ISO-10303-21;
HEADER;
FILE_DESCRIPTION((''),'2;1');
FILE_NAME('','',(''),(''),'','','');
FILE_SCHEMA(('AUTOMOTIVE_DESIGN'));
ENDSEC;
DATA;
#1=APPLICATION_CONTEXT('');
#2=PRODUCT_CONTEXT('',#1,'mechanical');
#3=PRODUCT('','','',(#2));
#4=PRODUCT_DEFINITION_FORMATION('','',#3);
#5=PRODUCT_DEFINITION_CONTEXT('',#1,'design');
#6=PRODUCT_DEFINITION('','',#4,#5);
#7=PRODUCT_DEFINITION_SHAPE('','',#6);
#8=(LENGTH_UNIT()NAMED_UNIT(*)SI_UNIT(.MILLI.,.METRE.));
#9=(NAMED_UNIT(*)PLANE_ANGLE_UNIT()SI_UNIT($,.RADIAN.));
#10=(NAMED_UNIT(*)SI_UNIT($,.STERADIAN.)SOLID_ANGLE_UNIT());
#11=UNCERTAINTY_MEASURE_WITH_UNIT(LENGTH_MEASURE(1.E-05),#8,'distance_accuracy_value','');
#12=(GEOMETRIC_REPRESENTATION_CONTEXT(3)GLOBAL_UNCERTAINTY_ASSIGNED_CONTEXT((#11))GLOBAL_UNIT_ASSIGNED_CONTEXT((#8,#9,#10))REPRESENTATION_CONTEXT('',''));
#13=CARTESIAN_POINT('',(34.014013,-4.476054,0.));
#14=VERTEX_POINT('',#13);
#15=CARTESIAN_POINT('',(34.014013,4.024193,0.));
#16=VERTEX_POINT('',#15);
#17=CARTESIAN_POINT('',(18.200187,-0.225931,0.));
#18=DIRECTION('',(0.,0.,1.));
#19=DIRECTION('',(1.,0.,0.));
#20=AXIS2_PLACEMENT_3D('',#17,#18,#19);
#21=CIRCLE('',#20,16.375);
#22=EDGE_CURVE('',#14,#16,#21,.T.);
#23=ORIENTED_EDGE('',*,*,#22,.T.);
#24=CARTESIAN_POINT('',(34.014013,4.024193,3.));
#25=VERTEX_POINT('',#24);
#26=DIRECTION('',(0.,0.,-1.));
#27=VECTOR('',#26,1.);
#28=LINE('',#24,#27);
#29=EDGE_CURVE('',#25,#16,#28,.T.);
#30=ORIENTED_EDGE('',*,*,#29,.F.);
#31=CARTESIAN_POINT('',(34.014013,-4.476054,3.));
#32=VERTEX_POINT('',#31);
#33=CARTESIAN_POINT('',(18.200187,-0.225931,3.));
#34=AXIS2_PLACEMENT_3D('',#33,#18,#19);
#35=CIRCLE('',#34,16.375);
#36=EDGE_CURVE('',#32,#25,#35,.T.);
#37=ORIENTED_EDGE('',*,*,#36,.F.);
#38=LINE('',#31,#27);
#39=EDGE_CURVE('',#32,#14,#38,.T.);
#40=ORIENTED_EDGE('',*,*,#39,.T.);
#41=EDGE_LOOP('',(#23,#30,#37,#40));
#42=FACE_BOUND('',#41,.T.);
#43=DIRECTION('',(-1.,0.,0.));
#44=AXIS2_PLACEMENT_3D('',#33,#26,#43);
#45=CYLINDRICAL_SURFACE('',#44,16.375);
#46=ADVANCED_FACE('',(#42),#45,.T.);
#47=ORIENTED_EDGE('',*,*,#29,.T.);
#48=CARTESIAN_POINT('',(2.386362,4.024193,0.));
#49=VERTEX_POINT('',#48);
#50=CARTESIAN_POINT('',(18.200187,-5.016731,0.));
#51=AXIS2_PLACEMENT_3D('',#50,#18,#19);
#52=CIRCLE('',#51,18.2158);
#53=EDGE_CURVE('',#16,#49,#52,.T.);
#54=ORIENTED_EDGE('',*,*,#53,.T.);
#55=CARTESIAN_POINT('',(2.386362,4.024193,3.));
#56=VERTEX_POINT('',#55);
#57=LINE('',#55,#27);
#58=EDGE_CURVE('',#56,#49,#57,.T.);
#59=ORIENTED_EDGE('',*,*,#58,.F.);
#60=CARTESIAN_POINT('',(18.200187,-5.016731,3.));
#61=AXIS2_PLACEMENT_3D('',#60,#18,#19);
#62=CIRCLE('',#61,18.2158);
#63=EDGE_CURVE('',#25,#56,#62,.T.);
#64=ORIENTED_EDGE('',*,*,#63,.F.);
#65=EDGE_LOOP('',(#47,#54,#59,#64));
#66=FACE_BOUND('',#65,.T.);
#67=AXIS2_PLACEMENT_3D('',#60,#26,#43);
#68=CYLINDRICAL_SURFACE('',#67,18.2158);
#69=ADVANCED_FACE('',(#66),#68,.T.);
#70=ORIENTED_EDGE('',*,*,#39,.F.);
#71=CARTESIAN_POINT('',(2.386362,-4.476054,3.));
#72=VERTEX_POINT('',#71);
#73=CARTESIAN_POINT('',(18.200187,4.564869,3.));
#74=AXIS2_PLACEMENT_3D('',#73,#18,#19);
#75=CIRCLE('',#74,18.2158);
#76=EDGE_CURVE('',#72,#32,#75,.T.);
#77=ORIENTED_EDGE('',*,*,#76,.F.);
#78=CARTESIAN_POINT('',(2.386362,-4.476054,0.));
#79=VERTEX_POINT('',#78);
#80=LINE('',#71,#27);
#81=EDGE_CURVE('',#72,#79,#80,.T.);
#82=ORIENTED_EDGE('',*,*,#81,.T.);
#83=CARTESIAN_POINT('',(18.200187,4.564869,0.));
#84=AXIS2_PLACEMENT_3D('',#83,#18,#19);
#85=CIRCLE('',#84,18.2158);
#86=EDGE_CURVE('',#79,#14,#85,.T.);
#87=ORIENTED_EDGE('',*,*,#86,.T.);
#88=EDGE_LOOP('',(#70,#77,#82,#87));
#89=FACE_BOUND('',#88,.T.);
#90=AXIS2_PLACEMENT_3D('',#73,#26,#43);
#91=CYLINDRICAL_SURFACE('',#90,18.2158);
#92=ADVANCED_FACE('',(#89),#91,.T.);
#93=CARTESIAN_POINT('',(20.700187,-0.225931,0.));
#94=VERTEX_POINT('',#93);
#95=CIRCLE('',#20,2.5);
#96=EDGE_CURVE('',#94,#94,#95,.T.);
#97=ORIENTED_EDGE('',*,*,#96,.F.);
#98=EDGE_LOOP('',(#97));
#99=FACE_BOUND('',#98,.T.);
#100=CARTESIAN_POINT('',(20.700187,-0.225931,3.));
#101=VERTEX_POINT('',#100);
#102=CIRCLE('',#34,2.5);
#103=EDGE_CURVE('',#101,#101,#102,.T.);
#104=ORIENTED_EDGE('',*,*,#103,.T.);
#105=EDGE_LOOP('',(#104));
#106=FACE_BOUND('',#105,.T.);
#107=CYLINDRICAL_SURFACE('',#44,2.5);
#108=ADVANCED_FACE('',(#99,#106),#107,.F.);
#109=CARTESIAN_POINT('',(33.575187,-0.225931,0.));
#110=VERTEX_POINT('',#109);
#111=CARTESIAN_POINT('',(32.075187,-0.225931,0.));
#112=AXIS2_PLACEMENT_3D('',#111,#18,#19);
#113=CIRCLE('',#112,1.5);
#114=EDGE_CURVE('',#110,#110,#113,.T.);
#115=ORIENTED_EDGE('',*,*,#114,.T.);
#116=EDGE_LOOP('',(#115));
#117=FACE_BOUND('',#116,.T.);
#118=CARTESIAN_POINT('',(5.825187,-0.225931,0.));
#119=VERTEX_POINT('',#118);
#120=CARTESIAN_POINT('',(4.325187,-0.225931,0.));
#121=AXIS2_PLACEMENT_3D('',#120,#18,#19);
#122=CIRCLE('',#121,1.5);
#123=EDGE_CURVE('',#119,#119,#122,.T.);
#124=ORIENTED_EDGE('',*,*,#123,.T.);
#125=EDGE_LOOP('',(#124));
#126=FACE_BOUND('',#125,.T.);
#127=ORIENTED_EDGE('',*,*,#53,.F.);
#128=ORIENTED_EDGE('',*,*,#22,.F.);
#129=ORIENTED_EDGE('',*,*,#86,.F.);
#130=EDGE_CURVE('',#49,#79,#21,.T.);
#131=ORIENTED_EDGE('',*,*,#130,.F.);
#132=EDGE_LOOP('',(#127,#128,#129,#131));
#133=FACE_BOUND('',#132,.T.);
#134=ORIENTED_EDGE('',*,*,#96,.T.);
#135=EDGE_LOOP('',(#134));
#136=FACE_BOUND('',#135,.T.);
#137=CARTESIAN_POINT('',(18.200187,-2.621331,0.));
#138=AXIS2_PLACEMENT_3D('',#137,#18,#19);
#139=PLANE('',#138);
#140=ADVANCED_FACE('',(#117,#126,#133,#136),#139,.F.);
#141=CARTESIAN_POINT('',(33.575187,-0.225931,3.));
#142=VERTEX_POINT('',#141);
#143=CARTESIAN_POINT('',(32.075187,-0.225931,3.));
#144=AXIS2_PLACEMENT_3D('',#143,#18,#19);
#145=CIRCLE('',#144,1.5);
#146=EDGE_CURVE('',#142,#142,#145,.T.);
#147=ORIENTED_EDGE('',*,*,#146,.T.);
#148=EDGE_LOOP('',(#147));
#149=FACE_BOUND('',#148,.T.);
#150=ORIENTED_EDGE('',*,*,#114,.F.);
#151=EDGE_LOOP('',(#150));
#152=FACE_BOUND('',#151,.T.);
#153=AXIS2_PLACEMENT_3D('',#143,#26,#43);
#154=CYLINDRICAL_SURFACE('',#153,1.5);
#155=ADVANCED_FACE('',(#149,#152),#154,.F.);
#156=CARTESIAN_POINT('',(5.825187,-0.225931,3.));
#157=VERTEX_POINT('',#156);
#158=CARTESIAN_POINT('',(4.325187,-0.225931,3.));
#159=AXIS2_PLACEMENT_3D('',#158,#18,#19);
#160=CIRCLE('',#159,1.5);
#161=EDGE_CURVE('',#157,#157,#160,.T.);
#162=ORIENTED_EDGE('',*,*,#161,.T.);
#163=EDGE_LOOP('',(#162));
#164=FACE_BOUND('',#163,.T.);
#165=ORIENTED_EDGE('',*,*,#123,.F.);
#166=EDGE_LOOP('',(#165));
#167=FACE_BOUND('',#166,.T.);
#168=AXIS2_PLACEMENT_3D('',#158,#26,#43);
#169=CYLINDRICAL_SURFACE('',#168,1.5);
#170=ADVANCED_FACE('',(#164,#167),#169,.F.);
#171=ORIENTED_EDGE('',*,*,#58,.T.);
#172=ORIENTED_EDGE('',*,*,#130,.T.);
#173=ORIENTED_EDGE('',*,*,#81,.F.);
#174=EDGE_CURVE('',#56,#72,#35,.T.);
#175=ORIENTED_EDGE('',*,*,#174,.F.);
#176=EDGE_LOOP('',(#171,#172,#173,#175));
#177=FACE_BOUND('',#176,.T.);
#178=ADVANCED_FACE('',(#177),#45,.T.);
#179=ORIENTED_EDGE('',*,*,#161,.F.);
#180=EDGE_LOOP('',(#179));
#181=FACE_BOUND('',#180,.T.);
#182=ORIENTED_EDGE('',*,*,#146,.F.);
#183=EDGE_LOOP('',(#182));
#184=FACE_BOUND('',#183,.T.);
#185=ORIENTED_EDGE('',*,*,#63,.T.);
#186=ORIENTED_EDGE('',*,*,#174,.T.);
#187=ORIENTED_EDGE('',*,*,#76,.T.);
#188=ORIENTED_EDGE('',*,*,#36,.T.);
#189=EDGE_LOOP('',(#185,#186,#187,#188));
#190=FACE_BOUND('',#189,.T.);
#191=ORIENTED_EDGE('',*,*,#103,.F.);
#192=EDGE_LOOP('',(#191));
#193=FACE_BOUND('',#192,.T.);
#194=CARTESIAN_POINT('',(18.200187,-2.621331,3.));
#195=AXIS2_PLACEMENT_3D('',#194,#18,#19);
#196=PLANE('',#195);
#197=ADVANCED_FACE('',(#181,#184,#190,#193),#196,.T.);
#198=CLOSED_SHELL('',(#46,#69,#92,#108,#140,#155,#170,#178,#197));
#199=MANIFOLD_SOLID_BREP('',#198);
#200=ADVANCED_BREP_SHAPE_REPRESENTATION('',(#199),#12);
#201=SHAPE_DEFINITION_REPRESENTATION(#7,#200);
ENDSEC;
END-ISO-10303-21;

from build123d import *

# Parameters (mm, degrees)
SKETCH1_R           = 2.5
SKETCH1_R_2         = 1.5
BOSS_EXTRUDE1_DEPTH = 3


with BuildPart() as part:
    # Sketch1 → Boss-Extrude1 (new body)
    with BuildSketch(Plane.XY):
        with BuildLine():
            ThreePointArc((2.386362037, 4.024192603), (1.825187499, -0.22593084), (2.386362037, -4.476054283))
            ThreePointArc((2.386362037, -4.476054283), (18.200187499, -13.65093084), (34.01401296, -4.476054283))
            ThreePointArc((34.01401296, -4.476054283), (34.575187499, -0.22593084), (34.01401296, 4.024192603))
            ThreePointArc((34.01401296, 4.024192603), (18.200187499, 13.19906916), (2.386362037, 4.024192603))
        make_face()
        with Locations((18.200187499, -0.22593084)):
            Circle(SKETCH1_R, mode=Mode.SUBTRACT)
        with Locations((32.075187499, -0.22593084)):
            Circle(SKETCH1_R_2, mode=Mode.SUBTRACT)
        with Locations((4.325187499, -0.22593084)):
            Circle(SKETCH1_R_2, mode=Mode.SUBTRACT)
    extrude(amount=BOSS_EXTRUDE1_DEPTH)


solid = part.part
